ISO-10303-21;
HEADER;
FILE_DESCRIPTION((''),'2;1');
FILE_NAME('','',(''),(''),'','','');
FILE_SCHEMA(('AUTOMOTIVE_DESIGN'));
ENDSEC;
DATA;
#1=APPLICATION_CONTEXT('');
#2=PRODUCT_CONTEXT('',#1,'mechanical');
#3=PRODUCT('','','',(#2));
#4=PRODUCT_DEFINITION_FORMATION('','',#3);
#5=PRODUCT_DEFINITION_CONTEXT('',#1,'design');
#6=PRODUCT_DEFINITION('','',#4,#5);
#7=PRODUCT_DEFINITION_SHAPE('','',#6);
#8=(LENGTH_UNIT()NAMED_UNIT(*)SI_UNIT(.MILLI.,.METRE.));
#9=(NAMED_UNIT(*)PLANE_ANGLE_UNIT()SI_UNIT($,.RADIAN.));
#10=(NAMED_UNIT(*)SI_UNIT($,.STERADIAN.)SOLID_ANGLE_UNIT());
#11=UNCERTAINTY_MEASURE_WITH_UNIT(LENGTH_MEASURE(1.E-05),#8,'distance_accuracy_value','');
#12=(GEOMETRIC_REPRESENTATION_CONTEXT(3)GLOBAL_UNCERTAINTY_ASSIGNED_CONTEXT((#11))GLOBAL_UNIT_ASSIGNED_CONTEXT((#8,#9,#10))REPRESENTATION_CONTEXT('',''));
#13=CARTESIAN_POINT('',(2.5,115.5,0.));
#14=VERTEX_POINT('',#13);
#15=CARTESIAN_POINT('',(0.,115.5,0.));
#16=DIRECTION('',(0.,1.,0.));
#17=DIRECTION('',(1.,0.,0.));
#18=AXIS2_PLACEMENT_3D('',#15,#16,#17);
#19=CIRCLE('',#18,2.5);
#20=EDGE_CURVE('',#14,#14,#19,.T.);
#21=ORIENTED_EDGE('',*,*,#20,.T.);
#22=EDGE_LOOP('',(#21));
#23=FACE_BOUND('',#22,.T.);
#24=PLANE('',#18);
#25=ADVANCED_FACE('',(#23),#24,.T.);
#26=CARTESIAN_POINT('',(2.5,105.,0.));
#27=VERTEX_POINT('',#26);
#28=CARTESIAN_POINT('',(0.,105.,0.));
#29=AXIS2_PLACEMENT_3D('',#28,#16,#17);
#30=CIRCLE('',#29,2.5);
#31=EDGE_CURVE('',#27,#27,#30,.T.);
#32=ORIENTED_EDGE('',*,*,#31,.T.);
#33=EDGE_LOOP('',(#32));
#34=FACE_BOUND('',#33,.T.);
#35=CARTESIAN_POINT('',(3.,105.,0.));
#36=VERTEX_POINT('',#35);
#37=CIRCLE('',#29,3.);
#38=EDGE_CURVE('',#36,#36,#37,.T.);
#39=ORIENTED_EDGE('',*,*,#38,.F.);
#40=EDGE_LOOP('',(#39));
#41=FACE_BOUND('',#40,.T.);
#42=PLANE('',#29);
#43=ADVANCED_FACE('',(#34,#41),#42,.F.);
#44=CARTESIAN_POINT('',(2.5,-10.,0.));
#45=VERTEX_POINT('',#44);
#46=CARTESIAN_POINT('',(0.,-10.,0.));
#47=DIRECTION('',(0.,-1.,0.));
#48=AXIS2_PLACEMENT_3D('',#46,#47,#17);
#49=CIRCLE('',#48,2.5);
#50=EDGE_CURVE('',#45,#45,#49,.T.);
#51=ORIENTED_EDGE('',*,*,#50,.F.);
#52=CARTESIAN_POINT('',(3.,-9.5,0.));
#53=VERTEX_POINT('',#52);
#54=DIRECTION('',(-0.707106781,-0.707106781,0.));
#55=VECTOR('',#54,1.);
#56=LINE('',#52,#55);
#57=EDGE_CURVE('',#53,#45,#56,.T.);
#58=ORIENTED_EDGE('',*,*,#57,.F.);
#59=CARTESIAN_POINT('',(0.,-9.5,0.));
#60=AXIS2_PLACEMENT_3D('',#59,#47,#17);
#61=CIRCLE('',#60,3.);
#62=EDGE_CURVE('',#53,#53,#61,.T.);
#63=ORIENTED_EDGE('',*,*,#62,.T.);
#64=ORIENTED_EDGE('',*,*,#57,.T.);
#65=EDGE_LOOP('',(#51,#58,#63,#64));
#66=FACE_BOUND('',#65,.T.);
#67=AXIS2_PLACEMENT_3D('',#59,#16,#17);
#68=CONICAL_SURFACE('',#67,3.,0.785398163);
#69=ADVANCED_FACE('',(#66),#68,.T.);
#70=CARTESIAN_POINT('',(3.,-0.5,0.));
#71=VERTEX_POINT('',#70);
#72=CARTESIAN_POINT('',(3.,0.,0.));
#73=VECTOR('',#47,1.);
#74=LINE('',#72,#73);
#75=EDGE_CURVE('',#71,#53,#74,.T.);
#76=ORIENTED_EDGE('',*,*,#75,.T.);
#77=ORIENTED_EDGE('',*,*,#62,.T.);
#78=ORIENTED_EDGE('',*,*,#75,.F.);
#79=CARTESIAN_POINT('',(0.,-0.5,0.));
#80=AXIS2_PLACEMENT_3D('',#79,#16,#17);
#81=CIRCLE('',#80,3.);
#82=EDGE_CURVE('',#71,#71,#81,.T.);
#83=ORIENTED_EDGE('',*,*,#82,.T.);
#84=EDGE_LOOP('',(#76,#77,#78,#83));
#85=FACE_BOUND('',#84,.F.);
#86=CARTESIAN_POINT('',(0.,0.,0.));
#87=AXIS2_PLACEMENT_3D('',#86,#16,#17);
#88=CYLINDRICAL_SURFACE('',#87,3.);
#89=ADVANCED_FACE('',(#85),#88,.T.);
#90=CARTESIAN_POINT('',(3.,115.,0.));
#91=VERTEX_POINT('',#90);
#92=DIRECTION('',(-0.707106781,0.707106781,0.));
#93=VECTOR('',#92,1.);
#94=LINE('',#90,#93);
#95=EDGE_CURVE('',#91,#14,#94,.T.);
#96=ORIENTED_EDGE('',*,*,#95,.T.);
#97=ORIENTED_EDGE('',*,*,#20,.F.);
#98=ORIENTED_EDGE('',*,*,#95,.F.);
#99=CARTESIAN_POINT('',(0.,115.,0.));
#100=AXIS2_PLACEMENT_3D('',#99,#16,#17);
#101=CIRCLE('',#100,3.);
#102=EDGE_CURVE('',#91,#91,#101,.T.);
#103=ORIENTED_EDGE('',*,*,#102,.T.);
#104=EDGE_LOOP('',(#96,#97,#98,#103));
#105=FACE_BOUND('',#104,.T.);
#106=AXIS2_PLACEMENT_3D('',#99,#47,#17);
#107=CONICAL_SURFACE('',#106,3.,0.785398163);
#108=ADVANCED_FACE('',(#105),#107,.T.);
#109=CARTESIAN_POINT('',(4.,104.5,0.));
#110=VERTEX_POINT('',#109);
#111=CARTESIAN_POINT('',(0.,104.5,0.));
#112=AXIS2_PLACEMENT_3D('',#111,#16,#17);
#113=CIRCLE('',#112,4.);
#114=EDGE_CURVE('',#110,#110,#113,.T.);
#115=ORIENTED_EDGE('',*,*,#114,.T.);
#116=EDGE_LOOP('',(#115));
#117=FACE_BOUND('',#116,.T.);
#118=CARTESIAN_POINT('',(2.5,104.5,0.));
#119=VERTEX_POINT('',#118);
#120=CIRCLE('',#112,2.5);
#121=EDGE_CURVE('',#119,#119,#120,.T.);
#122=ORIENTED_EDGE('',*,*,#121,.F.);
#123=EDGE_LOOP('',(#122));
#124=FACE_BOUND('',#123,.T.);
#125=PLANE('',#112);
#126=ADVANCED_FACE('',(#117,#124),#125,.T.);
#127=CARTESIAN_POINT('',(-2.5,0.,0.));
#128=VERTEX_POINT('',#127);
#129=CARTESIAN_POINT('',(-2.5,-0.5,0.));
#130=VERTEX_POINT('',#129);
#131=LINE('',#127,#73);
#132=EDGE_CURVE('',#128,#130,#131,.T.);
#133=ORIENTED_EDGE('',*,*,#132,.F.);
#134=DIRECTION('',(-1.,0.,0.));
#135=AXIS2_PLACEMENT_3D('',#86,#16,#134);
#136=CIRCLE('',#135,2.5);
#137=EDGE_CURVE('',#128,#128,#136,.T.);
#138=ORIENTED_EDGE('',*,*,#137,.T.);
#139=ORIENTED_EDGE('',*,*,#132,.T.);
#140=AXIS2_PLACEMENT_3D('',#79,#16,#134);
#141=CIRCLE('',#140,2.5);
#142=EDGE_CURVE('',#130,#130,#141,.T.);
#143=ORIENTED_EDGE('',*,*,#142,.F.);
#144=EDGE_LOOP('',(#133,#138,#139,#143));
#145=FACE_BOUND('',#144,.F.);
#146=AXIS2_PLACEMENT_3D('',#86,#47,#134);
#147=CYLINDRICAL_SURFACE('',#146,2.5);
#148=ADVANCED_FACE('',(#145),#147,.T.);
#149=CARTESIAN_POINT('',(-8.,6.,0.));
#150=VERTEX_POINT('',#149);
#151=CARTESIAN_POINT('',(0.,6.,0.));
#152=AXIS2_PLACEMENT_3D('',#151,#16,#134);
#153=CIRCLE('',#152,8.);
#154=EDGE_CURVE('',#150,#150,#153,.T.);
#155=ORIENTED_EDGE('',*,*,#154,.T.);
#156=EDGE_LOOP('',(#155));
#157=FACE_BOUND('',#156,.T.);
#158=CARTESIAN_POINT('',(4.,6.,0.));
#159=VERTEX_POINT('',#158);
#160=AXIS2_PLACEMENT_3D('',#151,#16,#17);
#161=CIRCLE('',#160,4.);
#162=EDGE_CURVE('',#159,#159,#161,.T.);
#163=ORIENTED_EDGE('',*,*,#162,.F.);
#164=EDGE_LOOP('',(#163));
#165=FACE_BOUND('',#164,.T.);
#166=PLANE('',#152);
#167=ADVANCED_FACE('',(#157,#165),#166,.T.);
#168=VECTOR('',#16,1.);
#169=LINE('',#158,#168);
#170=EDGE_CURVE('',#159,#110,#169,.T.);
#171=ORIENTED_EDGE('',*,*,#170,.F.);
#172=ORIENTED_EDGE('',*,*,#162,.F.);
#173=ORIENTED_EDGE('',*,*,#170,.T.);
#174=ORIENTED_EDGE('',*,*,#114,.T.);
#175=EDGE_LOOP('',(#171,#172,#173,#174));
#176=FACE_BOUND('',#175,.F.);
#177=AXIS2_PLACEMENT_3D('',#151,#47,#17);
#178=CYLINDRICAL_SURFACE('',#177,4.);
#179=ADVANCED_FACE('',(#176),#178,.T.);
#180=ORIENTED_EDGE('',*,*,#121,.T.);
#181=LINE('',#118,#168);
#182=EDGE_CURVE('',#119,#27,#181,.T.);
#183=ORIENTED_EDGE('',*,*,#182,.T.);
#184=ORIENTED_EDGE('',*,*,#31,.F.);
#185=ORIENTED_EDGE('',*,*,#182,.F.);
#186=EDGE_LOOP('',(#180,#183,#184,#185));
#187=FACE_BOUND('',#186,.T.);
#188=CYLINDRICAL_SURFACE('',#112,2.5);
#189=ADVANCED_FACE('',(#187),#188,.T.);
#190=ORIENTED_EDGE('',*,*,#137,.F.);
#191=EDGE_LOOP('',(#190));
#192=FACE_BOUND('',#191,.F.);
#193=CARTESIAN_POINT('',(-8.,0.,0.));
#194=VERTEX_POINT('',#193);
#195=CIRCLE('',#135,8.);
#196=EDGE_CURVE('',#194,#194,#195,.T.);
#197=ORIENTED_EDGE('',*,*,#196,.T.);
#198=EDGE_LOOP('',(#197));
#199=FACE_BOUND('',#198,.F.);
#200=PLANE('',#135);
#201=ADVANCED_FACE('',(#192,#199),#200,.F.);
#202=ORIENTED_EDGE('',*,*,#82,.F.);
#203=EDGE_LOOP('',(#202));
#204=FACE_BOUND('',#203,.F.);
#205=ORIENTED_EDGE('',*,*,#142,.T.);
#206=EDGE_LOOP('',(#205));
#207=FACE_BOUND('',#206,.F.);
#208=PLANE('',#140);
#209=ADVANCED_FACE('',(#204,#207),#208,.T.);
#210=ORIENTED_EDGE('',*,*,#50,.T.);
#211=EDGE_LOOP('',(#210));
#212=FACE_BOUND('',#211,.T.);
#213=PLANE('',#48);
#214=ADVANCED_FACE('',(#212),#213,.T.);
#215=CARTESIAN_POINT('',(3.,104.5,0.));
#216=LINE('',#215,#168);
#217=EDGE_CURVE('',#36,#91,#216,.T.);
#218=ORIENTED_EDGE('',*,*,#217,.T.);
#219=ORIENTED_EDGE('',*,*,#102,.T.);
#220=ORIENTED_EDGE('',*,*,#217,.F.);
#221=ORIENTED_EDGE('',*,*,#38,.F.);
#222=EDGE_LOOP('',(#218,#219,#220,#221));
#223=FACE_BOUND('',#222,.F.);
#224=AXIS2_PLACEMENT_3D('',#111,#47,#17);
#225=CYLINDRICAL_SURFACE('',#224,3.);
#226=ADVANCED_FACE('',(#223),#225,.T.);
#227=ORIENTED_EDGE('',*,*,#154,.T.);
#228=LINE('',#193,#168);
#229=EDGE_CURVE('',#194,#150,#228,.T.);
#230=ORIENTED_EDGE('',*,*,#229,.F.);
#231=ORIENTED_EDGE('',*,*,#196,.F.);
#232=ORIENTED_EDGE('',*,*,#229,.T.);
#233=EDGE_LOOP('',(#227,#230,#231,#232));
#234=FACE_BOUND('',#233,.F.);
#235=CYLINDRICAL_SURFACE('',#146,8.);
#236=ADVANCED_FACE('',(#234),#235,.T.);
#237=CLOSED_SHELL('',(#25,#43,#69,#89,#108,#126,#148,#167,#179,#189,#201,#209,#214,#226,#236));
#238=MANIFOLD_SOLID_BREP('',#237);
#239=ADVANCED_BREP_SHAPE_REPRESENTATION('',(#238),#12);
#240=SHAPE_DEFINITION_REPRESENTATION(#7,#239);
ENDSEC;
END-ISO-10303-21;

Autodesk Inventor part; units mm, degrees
ref_plane "YZ Plane" through (0, 0, 0) normal (1, 0, 0) x (0, 1, 0)
ref_plane "XZ Plane" through (0, 0, 0) normal (0, 1, 0) x (-1, 0, 0)
ref_plane "XY Plane" through (0, 0, 0) normal (0, 0, 1) x (1, 0, 0)
sketch "Sketch1" plane through (0, 0, 0) normal (0, 1, 0) x (-1, 0, 0)
  circle A0 centre (0, 0) radius 8
  dimension "d0" = 16
extrude "srodek" add sketch "Sketch1" along normal blind 6
sketch "Sketch2" plane through (0, 0, 0) normal (0, -1, 0) x (1, 0, 0)
  circle A0 centre (0, 0) radius 8 projected
  circle A1 centre (0, 0) radius 3
  dimension "d3" = 6
extrude "dolne" add sketch "Sketch2" along normal blind 10 contours A1
thread "Thread1" size "M6x1" class "6g" standard "ANSI Metric M Profile" full length
chamfer "Chamfer1" distance 0.5 angle 45 1 edges at (-3, -10, 0)
sketch "Sketch3" plane through (0, 0, 0) normal (0, 0, 1) x (1, 0, 0)
  line L0 (3, 0) -> (-3, 0) projected
  line L1 (-3, 0) -> (-2.5, 0)
  line L2 (-2.5, 0) -> (-2.5, -0.5)
  line L3 (-2.5, -0.5) -> (-3, -0.5)
  line L4 (-3, -0.5) -> (-3, 0)
  line L5 (0, -0.6) -> (0, 0.1) projected
  point P0 (0, 0)
  point P1 (-2.5, 0)
  dimension "d11" = 0.5
  dimension "d12" = 0.5
revolve "Revolution1" cut sketch "Sketch3" angle 360 about axis through (0, -10, 0) along (0, 1, 0)
sketch "Sketch8" plane through (0, 6, 0) normal (0, 1, 0) x (1, 0, 0)
  circle A0 centre (0, 0) radius 4
  dimension "d35" = 8
extrude "gora" add sketch "Sketch8" along normal blind 98.5
sketch "Sketch6" plane through (0, 104.5, 0) normal (0, 1, 0) x (1, 0, 0)
  circle A0 centre (0, 0) radius 4 projected
  circle A1 centre (0, 0) radius 3
  dimension "d19" = 6
extrude "mocowanie K1" add sketch "Sketch6" along normal blind 11 contours A1
thread "Thread3" size "M6x1" class "6g" standard "ISO Metric profile" full length
chamfer "Chamfer3" distance 0.5 angle 45 1 edges at (-3, 115.5, 0)
sketch "Sketch9" plane through (0, 0, 0) normal (0, 0, 1) x (1, 0, 0)
  line L0 (-3, 104.5) -> (3, 104.5) construction
  line L1 (3, 115) -> (-3, 115) construction
  line L2 (3, 104.5) -> (2.5, 104.5)
  line L3 (2.5, 104.5) -> (2.5, 105)
  line L4 (2.5, 105) -> (3, 105)
  line L5 (3, 105) -> (3, 104.5)
  line L6 (0, -35.2) -> (0, 141.2) projected
  point P0 (0, 0)
  dimension "d38" = 0.5
  dimension "d39" = 0.5
revolve "Revolution3" cut sketch "Sketch9" angle 360 about axis through (0, -10, 0) along (0, 1, 0)
properties part number "KN-00-02-10" material "X5CrNi18-10"
